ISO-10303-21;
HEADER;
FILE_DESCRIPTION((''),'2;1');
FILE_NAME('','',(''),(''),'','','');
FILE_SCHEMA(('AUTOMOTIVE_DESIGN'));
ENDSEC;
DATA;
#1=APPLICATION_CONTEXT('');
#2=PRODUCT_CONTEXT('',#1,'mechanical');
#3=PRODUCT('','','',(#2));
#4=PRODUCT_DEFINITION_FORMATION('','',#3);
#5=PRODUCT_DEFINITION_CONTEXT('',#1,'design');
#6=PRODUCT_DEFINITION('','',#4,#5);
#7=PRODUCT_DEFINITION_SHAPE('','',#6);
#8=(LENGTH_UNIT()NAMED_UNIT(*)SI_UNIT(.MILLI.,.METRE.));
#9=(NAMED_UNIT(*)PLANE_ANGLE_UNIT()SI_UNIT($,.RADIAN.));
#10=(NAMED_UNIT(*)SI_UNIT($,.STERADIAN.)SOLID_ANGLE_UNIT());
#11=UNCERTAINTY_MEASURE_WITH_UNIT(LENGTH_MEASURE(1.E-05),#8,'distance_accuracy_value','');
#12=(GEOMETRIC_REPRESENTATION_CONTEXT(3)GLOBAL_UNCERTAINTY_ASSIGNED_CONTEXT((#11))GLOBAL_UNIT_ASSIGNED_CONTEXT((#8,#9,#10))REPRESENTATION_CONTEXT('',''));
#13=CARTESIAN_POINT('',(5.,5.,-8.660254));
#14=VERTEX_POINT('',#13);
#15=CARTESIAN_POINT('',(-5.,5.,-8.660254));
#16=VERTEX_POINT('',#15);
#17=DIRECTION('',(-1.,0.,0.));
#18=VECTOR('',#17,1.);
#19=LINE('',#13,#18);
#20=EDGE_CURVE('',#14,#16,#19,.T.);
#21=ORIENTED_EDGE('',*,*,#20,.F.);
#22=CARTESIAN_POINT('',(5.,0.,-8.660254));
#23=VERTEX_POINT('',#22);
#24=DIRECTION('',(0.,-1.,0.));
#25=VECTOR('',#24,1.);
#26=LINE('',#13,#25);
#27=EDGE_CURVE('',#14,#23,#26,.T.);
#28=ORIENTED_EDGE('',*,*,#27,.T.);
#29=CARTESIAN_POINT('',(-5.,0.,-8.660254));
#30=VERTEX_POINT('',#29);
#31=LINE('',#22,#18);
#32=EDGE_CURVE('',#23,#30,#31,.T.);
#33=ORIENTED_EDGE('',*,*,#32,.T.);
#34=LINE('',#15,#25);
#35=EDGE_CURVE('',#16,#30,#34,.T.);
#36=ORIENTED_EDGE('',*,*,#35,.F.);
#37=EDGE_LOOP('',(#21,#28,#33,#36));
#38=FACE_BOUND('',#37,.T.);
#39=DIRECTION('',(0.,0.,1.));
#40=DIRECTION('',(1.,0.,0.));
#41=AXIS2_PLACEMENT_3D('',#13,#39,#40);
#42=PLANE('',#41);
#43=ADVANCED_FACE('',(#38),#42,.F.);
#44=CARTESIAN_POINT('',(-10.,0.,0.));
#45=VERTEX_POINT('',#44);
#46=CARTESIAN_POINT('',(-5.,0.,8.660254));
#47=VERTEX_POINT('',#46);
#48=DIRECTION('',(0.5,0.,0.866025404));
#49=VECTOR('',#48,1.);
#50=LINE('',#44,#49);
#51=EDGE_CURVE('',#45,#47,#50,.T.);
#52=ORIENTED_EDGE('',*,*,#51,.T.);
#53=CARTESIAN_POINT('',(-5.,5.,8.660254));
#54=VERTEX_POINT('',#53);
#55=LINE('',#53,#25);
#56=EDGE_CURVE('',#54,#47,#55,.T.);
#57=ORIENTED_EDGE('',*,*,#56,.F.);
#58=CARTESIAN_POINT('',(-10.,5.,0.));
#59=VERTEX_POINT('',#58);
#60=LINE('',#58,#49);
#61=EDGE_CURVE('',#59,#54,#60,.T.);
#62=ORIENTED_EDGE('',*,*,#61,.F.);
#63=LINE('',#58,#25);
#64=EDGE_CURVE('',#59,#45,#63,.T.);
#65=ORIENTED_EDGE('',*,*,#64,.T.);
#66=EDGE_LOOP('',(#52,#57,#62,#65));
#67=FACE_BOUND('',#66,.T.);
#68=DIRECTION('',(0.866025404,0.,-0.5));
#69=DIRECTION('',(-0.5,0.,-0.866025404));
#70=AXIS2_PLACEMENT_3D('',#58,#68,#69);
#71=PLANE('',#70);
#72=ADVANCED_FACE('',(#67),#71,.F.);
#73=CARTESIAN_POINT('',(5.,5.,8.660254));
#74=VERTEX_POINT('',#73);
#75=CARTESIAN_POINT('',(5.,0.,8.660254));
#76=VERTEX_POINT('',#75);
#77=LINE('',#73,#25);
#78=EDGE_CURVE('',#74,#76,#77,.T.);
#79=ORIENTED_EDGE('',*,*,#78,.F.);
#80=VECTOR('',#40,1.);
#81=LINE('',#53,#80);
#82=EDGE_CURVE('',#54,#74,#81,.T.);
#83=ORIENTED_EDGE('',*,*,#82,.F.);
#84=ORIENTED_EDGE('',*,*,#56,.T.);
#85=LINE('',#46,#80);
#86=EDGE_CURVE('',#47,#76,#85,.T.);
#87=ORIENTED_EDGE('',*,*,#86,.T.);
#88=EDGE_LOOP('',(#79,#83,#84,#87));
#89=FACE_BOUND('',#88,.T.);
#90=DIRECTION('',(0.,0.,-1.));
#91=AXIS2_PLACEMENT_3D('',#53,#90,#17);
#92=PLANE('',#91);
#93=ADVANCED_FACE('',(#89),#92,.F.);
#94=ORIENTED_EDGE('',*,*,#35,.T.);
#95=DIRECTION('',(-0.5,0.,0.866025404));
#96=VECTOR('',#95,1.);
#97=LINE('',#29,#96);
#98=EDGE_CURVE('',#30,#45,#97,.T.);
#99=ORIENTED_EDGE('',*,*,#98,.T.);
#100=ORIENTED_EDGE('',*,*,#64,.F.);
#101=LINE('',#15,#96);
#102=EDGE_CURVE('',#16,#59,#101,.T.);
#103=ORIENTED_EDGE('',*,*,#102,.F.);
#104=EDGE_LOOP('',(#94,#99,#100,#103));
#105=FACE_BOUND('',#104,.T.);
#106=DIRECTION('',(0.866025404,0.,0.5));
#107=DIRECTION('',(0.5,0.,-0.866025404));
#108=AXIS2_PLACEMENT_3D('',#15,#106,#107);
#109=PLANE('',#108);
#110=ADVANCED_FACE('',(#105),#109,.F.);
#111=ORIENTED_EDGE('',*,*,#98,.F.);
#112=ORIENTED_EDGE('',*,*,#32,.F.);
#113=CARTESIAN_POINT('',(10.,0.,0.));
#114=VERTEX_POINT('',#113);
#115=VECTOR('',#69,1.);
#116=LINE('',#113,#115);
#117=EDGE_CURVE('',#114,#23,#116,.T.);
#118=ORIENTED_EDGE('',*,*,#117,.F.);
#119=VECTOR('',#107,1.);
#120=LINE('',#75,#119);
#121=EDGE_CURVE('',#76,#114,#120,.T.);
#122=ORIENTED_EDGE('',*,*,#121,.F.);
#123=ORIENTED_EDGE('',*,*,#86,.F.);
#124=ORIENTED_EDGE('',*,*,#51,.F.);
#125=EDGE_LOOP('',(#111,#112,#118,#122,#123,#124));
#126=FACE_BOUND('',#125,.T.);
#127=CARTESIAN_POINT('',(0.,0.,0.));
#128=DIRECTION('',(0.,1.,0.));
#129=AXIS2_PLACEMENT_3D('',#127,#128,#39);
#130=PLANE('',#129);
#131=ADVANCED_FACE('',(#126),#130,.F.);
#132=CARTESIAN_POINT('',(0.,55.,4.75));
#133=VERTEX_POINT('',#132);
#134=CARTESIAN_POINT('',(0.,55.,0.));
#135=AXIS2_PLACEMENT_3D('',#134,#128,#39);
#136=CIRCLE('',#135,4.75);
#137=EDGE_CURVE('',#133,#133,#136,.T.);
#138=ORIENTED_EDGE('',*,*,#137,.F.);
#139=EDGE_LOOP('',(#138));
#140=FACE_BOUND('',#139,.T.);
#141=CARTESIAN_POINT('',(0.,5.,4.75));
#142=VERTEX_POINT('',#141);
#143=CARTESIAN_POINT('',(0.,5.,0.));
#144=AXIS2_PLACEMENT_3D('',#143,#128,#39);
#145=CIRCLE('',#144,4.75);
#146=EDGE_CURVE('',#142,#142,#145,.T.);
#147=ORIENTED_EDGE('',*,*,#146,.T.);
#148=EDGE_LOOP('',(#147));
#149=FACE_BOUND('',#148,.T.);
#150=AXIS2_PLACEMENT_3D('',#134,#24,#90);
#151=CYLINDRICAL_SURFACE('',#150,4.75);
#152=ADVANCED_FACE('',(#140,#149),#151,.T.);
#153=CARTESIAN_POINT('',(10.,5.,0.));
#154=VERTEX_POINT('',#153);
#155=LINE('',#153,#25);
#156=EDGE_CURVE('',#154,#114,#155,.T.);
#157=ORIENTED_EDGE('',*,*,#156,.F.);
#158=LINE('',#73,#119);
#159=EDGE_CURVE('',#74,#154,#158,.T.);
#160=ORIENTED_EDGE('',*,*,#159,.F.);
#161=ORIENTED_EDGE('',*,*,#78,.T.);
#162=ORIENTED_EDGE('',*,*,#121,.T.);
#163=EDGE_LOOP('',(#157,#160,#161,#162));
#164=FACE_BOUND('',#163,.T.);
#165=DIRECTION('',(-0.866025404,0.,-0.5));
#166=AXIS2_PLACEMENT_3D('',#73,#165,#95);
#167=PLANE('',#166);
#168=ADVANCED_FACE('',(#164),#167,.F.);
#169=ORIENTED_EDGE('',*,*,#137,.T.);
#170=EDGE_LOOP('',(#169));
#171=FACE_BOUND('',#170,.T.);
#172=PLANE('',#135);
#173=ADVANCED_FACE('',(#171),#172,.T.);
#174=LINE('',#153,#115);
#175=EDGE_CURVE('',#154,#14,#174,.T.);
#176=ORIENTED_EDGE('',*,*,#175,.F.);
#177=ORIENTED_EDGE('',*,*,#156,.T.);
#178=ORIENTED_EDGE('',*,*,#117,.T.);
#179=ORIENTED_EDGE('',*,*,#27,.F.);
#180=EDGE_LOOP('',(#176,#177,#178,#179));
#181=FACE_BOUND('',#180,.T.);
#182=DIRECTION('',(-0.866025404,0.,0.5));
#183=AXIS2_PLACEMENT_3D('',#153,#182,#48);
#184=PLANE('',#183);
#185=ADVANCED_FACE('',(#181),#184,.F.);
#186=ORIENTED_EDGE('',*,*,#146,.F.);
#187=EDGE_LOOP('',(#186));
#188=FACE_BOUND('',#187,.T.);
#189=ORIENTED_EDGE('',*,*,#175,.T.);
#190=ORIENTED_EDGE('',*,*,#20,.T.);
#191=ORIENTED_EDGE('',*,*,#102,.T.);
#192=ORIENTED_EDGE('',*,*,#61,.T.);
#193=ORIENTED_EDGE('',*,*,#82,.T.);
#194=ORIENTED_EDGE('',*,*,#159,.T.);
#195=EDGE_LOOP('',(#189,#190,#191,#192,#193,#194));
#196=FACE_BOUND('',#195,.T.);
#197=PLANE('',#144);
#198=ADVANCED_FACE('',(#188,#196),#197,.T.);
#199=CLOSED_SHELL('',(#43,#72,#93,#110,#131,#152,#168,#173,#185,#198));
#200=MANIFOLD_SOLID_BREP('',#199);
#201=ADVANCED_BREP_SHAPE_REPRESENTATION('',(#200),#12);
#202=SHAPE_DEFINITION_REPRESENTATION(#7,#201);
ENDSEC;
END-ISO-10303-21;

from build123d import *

# Parameters (mm, degrees)
SKETCH1_R           = 4.75
BOSS_EXTRUDE1_DEPTH = 5
SKETCH1_2_R         = 4.75
BOSS_EXTRUDE2_DEPTH = 55


with BuildPart() as part:
    # Sketch1 → Boss-Extrude1 (new body)
    with BuildSketch(Plane(origin=(0, 0, 0), x_dir=(1, 0, 0), z_dir=(0, 1, 0))):
        Polygon((10, 0), (5, 8.660254038), (-5, 8.660254038), (-10, 0), (-5, -8.660254038), (5, -8.660254038), align=None)
        Circle(SKETCH1_R, mode=Mode.SUBTRACT)
    extrude(amount=BOSS_EXTRUDE1_DEPTH)

    # Sketch1<2> → Boss-Extrude2 (add)
    with BuildSketch(Plane(origin=(0, 0, 0), x_dir=(1, 0, 0), z_dir=(0, 1, 0))):
        Circle(SKETCH1_2_R)
    extrude(amount=BOSS_EXTRUDE2_DEPTH)


solid = part.part
